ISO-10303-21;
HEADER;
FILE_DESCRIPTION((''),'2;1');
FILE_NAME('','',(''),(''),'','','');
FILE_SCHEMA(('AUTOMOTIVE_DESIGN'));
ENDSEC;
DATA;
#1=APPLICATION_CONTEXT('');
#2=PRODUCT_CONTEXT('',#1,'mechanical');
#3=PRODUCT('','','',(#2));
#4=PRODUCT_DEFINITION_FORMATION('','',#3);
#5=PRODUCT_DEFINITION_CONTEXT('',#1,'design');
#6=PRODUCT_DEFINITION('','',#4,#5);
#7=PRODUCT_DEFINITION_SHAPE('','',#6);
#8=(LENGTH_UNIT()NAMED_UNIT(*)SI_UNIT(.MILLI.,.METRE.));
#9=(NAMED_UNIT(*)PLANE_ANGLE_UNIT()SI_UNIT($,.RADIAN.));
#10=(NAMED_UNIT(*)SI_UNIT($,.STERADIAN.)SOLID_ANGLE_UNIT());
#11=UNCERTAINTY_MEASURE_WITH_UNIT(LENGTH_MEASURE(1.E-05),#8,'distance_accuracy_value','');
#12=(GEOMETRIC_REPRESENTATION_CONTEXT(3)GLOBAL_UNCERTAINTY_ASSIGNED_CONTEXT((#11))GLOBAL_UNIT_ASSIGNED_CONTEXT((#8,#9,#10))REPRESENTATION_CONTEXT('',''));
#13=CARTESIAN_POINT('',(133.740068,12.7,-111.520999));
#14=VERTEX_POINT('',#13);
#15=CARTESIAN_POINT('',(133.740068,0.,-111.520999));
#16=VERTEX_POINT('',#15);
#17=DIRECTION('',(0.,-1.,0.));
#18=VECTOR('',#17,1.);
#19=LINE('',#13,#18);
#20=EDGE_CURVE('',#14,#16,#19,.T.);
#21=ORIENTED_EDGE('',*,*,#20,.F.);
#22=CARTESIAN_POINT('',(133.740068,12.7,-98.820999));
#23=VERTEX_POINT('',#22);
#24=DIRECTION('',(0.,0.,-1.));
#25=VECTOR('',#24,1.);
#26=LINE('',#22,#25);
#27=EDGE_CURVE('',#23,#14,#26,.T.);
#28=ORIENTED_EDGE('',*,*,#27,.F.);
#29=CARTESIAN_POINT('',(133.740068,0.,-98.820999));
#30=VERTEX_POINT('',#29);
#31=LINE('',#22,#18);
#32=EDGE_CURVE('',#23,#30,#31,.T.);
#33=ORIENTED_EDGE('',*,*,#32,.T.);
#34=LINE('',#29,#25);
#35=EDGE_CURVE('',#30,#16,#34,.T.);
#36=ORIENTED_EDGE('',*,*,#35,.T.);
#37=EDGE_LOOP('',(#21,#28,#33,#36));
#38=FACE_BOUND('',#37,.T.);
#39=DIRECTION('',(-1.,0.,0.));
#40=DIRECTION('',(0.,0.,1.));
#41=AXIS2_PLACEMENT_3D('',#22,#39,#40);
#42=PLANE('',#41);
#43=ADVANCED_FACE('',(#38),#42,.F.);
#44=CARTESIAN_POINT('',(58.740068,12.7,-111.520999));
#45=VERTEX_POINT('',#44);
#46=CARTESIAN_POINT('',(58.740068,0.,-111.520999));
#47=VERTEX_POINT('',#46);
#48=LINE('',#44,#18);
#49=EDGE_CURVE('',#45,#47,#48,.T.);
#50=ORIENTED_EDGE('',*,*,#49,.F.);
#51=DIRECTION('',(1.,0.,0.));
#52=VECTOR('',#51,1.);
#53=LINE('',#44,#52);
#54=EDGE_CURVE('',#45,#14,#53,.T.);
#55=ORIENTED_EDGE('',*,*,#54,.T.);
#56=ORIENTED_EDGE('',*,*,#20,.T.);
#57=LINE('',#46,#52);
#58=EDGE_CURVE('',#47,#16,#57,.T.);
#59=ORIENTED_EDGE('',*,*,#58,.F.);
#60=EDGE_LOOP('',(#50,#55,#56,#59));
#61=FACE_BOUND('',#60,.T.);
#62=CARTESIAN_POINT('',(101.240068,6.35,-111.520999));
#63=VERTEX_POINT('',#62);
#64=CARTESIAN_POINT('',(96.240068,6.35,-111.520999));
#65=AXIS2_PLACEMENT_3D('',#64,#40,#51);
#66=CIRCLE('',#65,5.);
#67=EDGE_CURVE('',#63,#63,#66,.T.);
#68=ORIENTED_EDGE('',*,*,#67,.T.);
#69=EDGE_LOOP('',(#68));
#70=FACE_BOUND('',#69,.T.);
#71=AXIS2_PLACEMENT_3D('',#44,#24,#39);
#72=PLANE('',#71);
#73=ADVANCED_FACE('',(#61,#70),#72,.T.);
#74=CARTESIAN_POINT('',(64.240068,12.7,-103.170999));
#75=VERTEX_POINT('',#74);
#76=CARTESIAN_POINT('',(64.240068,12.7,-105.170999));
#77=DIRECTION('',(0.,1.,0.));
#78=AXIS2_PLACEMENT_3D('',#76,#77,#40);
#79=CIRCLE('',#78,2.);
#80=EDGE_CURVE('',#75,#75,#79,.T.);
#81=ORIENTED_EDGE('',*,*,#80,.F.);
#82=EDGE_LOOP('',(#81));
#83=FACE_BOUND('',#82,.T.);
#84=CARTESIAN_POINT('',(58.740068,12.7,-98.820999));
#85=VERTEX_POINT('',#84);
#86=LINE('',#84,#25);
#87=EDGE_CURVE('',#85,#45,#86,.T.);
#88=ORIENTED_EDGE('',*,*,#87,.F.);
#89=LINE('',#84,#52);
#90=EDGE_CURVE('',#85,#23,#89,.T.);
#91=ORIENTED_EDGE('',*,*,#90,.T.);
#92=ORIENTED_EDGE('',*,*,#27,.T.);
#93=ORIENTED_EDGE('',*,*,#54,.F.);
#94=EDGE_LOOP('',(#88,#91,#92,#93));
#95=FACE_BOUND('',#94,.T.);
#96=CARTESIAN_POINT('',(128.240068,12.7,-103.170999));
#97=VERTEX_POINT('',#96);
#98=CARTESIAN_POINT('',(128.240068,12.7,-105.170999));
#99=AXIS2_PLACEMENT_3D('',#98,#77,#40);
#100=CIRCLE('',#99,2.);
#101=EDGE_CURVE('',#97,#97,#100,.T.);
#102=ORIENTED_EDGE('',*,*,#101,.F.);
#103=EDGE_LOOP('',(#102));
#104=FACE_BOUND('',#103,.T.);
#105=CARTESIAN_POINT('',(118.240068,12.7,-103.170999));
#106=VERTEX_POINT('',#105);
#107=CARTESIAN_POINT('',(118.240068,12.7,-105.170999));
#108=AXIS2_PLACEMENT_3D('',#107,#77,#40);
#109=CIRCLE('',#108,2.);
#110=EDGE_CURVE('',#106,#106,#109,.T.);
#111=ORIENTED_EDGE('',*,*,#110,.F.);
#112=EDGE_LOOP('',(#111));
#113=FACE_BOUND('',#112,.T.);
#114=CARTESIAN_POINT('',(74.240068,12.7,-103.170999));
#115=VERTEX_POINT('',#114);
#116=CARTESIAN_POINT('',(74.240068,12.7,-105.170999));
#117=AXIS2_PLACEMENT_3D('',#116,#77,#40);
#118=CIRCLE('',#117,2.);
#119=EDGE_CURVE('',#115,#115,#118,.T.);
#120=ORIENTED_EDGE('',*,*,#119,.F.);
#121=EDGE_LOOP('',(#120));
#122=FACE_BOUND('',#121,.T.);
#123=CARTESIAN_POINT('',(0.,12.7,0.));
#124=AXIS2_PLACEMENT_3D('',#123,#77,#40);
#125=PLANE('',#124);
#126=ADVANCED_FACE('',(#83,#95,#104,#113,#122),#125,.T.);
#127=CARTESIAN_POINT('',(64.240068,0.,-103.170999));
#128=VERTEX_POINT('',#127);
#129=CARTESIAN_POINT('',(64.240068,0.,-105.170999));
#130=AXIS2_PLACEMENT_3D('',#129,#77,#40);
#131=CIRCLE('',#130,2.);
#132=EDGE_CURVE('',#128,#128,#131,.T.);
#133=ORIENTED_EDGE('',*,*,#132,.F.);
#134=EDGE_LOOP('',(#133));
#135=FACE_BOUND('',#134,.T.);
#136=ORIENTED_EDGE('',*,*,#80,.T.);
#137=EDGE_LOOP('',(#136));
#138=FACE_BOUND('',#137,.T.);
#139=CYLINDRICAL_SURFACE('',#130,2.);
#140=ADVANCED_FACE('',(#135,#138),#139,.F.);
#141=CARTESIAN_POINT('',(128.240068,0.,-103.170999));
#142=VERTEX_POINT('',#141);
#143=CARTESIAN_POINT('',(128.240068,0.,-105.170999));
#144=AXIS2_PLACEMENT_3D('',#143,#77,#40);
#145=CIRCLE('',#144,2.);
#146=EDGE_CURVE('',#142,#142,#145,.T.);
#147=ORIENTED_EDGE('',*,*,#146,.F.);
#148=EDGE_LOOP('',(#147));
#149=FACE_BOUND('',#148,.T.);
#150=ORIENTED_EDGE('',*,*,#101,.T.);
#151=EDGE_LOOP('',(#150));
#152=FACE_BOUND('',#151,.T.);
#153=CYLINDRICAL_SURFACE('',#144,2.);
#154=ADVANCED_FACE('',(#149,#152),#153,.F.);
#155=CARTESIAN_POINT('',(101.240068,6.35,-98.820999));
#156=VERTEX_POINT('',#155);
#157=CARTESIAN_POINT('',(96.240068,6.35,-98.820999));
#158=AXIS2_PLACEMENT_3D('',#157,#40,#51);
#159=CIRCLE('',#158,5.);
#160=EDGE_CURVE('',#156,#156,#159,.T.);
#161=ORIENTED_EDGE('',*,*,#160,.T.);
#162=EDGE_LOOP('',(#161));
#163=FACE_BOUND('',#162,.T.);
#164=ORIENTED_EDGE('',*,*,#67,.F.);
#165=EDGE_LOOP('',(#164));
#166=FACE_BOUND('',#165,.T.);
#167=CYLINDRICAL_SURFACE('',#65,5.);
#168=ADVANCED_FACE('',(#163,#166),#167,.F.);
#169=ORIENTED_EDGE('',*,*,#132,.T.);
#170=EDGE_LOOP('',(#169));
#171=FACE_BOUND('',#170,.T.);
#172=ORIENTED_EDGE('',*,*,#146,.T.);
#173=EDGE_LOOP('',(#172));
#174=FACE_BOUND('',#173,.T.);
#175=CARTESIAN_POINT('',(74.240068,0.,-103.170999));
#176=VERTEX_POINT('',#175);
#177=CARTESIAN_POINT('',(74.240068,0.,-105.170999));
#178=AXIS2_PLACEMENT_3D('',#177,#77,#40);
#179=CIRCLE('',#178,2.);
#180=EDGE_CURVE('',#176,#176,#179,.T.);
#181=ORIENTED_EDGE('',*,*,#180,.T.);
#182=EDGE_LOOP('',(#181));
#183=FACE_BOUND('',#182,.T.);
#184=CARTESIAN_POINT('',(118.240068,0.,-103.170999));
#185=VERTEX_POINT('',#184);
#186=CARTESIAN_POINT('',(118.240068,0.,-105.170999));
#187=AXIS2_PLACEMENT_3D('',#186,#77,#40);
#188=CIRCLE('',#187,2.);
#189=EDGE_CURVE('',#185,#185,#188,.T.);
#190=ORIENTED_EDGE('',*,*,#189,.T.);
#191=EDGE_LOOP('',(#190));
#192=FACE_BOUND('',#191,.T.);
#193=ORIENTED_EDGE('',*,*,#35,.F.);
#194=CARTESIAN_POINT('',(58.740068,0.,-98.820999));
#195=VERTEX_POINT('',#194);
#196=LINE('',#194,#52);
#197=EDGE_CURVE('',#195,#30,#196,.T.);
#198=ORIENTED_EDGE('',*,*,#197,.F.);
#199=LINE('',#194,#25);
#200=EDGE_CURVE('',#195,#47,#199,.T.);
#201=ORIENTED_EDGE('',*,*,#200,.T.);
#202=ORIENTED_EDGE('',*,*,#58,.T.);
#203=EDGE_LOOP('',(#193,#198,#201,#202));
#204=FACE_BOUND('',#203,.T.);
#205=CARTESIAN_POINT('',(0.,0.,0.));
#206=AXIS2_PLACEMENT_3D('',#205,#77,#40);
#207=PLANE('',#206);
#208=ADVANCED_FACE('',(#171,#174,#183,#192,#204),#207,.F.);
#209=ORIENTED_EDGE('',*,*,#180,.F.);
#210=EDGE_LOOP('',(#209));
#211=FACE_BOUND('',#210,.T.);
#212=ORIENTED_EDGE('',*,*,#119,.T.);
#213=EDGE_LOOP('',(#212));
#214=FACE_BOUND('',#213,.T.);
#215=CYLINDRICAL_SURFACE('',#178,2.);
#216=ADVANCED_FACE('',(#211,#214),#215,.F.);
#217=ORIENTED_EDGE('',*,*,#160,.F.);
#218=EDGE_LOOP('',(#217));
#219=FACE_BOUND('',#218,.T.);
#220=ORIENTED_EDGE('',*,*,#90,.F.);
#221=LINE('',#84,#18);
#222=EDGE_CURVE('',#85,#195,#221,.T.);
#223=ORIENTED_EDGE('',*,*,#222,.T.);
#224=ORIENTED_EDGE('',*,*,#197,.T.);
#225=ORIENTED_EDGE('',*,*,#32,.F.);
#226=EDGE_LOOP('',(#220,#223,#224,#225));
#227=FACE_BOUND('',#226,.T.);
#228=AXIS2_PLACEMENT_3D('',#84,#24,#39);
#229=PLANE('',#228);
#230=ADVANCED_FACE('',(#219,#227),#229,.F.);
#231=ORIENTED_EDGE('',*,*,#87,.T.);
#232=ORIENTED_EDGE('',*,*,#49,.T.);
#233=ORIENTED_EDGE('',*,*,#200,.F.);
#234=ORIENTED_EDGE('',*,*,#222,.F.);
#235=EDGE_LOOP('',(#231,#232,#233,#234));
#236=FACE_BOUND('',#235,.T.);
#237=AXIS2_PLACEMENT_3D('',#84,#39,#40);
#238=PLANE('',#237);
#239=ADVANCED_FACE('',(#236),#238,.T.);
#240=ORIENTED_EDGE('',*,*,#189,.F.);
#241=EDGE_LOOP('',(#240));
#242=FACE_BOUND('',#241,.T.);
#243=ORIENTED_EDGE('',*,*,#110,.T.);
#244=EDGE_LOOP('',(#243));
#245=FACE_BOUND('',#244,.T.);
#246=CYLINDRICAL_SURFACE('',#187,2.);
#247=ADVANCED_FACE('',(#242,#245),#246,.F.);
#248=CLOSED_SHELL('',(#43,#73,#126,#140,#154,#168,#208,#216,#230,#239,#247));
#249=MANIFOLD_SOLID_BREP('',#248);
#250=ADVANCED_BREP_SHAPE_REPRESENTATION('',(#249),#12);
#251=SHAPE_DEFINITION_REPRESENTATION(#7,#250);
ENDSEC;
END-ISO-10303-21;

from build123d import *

# Parameters (mm, degrees)
SKETCH1_W           = 75
SKETCH1_H           = 12.7
BOSS_EXTRUDE2_DEPTH = 12.7
SKETCH2_R           = 2
CUT_EXTRUDE1_DEPTH  = 175.598479387
SKETCH3_R           = 5
CUT_EXTRUDE2_DEPTH  = 135.940675175


with BuildPart() as part:
    # Sketch1 → Boss-Extrude2 (new body)
    with BuildSketch(Plane(origin=(0, 0, 0), x_dir=(1, 0, 0), z_dir=(0, 1, 0))):
        with Locations((96.240068104, 105.170998865)):
            Rectangle(SKETCH1_W, SKETCH1_H)
    extrude(amount=BOSS_EXTRUDE2_DEPTH)

    # Sketch2 → Cut-Extrude1 (cut, through all)
    with BuildSketch(Plane(origin=(0, 12.7, 0), x_dir=(1, 0, 0), z_dir=(0, 1, 0))):
        with Locations(Location((74.240068104, 105.170998865, 0), (0, 0, 270))):
            Circle(SKETCH2_R)
        with Locations(Location((64.240068104, 105.170998865, 0), (0, 0, 270))):
            Circle(SKETCH2_R)
        with Locations(Location((118.240068104, 105.170998865, 0), (0, 0, 270))):
            Circle(SKETCH2_R)
        with Locations(Location((128.240068104, 105.170998865, 0), (0, 0, 270))):
            Circle(SKETCH2_R)
    extrude(amount=-CUT_EXTRUDE1_DEPTH, mode=Mode.SUBTRACT)

    # Sketch3 → Cut-Extrude2 (cut, through all)
    with BuildSketch(Plane.XY.offset(-98.820998865)):
        with Locations((96.240068104, 6.35)):
            Circle(SKETCH3_R)
    extrude(amount=-CUT_EXTRUDE2_DEPTH, mode=Mode.SUBTRACT)


solid = part.part
